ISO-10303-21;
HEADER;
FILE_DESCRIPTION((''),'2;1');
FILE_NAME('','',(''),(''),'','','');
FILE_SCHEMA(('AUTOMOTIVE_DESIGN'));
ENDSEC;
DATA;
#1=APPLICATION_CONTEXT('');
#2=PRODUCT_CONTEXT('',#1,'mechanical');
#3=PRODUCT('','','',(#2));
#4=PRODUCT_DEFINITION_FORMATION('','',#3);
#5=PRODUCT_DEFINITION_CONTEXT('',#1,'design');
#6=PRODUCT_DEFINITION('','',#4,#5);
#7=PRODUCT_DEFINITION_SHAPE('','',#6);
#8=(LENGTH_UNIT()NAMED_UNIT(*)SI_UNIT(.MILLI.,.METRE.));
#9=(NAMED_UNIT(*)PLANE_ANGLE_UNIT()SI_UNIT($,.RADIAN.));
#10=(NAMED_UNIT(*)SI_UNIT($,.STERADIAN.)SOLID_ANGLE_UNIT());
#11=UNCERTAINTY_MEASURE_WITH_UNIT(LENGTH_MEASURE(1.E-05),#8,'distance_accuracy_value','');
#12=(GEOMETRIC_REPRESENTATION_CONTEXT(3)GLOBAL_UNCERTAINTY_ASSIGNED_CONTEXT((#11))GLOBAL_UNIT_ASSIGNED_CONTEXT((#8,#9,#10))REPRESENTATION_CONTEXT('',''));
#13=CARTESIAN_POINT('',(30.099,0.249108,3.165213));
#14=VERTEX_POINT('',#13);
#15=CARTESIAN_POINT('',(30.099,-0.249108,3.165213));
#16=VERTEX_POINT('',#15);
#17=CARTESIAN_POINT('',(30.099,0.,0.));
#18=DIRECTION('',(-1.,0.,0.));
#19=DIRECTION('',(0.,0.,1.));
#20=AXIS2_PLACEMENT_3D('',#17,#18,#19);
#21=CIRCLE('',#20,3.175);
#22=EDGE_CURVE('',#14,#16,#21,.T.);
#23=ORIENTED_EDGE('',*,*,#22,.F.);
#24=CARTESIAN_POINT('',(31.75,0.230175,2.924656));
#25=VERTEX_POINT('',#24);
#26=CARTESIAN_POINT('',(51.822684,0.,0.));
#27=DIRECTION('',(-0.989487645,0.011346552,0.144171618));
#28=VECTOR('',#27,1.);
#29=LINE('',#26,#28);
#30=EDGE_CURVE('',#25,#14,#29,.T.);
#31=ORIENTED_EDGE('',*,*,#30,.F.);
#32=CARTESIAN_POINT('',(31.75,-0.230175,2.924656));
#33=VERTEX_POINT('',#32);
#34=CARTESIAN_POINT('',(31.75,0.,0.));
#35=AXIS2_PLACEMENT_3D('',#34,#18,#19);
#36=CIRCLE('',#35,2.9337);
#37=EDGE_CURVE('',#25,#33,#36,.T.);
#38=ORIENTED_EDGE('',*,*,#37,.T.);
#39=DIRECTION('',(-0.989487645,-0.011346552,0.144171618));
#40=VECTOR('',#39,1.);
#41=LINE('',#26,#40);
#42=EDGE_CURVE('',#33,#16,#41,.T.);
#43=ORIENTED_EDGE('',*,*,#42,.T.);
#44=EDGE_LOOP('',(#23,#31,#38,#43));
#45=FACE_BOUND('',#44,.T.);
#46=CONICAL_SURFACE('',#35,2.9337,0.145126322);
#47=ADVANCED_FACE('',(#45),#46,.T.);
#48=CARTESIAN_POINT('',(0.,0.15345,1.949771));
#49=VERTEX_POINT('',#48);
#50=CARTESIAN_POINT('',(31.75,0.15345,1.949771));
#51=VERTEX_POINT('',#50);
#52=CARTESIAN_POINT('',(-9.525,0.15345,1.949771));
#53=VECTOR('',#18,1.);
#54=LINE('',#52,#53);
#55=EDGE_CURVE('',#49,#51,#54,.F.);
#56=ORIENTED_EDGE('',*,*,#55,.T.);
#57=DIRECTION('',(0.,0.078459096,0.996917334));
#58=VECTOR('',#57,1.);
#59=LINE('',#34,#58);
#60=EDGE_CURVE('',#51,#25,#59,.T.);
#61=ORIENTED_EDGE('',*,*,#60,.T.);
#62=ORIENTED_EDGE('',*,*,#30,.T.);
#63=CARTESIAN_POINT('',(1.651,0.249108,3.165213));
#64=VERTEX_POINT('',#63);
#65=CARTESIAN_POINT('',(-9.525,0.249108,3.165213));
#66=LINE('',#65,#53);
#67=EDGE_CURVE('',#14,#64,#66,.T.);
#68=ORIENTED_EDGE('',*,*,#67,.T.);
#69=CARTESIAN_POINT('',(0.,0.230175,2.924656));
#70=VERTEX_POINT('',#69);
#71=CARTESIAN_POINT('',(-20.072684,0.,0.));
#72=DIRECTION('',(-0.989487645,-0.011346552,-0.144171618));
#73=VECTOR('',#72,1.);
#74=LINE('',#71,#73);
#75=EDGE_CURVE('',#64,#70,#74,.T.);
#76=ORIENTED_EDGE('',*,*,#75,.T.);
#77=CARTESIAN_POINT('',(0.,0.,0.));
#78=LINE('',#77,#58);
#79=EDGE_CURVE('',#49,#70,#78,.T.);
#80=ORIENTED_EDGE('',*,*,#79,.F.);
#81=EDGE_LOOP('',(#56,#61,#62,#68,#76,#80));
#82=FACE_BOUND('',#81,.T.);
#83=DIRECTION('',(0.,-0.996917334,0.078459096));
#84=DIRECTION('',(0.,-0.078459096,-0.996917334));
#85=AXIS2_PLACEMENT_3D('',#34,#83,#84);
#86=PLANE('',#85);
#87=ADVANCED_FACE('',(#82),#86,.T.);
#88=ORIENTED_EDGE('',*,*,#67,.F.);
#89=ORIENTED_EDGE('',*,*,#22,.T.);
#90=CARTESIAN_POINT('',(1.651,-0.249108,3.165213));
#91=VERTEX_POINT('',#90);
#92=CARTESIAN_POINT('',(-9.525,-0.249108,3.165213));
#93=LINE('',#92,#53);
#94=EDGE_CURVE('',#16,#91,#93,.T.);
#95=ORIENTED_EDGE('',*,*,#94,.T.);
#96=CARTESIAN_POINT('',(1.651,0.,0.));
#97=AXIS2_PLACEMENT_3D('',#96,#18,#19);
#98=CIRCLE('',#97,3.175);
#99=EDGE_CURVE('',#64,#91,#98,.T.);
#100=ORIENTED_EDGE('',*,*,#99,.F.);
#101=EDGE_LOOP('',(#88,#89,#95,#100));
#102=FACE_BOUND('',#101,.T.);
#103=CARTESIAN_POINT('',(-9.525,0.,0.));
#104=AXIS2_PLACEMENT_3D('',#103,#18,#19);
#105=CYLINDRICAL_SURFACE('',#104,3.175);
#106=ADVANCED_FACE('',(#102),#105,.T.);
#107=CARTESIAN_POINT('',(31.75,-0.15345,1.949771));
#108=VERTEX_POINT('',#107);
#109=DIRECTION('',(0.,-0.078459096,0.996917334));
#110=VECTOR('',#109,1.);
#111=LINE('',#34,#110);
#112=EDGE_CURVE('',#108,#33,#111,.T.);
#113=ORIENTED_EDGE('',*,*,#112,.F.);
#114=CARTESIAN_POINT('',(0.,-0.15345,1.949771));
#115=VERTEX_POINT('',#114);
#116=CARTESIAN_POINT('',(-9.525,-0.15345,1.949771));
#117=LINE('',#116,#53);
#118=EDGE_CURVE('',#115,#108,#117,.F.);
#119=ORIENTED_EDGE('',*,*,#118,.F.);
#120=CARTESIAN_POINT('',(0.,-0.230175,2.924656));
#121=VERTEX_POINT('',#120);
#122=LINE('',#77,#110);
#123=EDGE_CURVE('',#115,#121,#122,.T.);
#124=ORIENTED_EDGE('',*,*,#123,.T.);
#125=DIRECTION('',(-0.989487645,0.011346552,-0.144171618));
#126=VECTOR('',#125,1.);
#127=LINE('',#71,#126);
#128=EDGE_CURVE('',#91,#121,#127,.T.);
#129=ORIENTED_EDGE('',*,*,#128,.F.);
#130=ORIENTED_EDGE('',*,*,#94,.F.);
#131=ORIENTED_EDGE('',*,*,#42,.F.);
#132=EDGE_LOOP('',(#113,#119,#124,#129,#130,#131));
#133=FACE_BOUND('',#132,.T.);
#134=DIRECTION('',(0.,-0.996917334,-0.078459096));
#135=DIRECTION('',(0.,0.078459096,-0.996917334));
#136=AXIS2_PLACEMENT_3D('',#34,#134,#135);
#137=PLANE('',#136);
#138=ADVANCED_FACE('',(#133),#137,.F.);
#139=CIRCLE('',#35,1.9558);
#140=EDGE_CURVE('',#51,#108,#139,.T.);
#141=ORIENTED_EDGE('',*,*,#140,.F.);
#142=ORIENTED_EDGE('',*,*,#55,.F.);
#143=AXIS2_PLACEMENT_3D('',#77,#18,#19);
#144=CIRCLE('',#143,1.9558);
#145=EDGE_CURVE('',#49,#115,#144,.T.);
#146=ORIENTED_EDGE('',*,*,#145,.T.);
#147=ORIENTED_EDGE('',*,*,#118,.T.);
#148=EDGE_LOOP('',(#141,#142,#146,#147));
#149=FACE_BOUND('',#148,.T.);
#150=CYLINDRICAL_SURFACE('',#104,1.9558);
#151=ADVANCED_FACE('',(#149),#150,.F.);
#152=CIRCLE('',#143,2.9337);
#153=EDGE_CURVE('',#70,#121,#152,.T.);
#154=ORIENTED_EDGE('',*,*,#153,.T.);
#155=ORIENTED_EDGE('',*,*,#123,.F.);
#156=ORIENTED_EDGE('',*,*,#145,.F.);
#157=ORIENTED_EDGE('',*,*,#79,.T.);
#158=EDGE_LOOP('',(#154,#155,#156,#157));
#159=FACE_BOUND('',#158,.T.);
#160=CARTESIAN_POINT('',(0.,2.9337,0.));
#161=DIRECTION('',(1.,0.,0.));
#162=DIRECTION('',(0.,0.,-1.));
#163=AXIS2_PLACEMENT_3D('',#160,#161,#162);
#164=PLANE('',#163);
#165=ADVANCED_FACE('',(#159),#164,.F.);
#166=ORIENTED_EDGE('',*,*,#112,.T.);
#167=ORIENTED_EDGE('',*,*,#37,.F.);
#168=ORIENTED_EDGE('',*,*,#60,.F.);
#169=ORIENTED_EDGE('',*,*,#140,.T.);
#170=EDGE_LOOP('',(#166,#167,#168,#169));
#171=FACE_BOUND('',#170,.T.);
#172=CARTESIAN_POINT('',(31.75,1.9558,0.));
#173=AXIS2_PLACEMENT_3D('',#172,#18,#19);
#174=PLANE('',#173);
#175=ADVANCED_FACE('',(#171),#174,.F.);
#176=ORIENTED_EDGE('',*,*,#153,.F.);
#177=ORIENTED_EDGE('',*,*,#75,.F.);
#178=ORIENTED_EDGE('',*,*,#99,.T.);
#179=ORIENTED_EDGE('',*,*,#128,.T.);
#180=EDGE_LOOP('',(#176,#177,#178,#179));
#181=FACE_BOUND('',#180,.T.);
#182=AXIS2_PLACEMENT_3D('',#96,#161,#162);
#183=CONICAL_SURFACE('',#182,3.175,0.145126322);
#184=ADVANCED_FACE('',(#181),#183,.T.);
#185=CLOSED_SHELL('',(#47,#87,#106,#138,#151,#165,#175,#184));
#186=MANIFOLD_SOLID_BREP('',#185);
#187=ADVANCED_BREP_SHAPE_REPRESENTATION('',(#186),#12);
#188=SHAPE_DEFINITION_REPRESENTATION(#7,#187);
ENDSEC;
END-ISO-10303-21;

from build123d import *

# Parameters (mm, degrees)
GAP_DEPTH = 33.065928179


with BuildPart() as part:
    # Sketch1 → Base-Revolve (revolve)
    with BuildSketch(Plane.XY, mode=Mode.PRIVATE) as base_revolve_sk:
        Polygon((0, 1.9558), (31.75, 1.9558), (31.75, 2.9337), (30.099, 3.175), (1.651, 3.175), (0, 2.9337), align=None)
    revolve(base_revolve_sk.sketch.rotate(Axis((-9.525, 0, 0), (1, 0, 0)), 90), axis=Axis((-9.525, 0, 0), (1, 0, 0)))

    # Sketch2 → Gap (cut, through all)
    with BuildSketch(Plane(origin=(0, 0, 0), x_dir=(0, -1, 0), z_dir=(-1, 0, 0))):
        with BuildLine():
            Line((0, 0), (0.254089782, 3.228516785))
            ThreePointArc((0.254089782, 3.228516785), (0, 3.2385), (-0.254089782, 3.228516785))
            Line((-0.254089782, 3.228516785), (0, 0))
        make_face()
    extrude(amount=-GAP_DEPTH, mode=Mode.SUBTRACT)


solid = part.part
